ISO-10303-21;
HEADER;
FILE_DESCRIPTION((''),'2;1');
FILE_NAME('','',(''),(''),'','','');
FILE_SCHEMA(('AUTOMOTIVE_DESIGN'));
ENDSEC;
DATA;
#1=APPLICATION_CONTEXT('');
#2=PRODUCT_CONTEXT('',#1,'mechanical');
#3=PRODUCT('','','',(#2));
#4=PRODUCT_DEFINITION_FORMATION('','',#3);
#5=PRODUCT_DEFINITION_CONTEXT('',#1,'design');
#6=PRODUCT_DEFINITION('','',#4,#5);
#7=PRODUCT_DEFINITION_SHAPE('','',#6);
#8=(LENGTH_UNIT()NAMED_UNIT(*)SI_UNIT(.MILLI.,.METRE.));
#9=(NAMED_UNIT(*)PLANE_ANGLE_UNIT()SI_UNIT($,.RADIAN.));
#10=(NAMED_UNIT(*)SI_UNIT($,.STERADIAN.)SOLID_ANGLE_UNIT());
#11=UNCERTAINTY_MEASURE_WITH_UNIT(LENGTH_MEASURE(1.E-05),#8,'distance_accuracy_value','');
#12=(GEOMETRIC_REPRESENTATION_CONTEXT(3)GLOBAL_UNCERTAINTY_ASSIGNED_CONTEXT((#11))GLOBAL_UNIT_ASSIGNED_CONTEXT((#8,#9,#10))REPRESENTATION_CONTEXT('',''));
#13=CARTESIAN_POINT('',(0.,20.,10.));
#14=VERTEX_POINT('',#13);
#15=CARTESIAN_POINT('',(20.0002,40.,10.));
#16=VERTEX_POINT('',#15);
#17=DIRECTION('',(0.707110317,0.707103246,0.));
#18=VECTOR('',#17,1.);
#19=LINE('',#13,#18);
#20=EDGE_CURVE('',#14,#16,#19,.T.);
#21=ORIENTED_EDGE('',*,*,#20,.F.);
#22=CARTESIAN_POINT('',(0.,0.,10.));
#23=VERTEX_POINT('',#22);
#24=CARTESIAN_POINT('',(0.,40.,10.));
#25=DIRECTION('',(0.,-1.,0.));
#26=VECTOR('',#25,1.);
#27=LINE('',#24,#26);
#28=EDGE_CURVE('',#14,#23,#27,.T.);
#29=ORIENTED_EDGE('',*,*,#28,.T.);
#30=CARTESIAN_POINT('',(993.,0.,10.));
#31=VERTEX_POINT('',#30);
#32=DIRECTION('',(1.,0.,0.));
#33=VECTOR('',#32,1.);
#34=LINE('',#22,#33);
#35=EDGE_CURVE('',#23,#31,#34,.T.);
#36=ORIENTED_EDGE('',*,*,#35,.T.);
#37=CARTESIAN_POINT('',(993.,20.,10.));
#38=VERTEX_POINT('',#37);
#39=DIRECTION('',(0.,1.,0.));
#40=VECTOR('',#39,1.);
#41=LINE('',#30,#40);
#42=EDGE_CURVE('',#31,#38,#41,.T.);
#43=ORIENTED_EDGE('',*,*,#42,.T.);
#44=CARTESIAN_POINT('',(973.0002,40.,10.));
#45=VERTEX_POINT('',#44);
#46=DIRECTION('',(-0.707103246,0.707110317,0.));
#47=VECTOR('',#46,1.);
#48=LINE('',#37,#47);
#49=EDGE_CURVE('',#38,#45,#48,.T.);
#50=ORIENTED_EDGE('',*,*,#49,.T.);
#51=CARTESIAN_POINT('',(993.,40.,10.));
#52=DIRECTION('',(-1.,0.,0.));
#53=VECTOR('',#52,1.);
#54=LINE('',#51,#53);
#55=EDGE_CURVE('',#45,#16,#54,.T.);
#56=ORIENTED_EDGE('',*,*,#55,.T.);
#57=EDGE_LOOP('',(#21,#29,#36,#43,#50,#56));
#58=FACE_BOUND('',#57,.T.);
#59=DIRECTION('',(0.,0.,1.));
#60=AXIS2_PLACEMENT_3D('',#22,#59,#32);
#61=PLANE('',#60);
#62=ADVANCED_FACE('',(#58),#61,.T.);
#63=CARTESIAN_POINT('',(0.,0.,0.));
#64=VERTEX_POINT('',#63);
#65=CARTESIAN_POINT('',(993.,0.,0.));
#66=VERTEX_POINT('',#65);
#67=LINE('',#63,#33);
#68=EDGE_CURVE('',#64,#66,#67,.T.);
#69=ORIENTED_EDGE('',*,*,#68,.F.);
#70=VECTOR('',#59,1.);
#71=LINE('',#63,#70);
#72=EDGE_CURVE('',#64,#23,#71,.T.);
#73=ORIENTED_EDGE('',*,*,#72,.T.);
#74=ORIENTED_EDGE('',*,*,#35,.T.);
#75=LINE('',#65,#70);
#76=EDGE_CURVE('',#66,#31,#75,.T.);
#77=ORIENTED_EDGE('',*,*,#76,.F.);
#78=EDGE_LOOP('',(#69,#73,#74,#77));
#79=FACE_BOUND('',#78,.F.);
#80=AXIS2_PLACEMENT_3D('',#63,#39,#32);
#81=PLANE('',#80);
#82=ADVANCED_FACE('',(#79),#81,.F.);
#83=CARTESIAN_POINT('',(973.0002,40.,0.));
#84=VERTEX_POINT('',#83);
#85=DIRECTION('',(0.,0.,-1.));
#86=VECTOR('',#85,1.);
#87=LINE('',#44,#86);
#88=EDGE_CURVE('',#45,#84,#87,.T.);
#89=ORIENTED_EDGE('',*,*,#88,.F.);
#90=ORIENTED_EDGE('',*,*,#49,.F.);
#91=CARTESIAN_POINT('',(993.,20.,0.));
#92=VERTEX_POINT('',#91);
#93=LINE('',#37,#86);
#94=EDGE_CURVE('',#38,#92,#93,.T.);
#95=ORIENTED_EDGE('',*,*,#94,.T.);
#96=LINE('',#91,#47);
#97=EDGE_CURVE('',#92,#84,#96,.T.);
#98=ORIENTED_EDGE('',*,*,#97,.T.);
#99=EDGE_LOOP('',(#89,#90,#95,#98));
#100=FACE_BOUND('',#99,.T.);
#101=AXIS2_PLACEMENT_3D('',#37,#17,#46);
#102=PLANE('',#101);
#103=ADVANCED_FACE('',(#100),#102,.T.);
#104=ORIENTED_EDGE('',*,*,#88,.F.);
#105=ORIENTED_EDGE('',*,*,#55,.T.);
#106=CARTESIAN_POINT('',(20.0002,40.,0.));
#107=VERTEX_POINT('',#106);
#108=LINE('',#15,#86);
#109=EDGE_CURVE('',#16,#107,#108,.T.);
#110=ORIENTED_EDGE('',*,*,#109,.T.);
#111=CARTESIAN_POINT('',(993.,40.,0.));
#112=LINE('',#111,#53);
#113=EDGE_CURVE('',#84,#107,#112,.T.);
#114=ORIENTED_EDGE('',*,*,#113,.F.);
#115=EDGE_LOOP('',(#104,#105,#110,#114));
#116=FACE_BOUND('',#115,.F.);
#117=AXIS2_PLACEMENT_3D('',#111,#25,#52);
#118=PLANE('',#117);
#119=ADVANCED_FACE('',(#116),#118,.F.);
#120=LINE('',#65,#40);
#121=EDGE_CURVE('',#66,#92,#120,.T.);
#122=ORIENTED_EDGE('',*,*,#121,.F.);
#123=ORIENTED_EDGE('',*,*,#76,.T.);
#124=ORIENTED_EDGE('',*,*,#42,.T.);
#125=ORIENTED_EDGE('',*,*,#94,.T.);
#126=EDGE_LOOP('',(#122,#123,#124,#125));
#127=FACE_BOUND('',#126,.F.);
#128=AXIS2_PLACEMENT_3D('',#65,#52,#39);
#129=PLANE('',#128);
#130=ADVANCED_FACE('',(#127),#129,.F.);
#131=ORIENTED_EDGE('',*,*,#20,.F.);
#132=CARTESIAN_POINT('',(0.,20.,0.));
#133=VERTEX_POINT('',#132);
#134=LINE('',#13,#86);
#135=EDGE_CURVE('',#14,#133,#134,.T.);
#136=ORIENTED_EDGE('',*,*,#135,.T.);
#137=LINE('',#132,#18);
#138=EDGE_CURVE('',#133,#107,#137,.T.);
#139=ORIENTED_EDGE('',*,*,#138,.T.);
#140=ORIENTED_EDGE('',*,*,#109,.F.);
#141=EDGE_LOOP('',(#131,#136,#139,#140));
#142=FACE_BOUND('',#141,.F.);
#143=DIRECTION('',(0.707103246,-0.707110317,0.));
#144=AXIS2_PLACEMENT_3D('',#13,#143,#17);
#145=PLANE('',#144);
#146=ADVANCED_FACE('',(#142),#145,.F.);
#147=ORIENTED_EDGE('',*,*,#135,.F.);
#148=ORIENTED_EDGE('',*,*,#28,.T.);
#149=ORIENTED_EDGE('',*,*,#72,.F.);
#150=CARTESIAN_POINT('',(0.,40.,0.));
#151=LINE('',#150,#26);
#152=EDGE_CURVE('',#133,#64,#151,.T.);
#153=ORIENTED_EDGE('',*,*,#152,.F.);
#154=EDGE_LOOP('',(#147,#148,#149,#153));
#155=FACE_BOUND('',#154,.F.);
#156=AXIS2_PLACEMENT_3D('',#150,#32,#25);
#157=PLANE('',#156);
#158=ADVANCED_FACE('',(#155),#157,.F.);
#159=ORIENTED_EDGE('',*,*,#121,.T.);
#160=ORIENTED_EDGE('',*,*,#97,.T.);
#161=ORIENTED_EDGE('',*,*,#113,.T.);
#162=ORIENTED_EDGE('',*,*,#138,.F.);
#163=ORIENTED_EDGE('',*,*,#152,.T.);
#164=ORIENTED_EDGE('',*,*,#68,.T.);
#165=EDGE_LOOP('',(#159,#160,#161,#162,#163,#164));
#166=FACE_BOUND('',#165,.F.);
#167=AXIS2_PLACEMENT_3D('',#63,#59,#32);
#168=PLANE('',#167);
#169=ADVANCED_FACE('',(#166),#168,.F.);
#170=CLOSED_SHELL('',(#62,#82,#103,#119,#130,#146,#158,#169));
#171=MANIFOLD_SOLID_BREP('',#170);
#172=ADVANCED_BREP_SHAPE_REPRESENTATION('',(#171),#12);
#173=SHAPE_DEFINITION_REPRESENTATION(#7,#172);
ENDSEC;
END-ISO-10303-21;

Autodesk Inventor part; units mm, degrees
ref_plane "YZ Plane" through (0, 0, 0) normal (1, 0, 0) x (0, 1, 0)
ref_plane "XZ Plane" through (0, 0, 0) normal (0, 1, 0) x (-1, 0, 0)
ref_plane "XY Plane" through (0, 0, 0) normal (0, 0, 1) x (1, 0, 0)
sketch "Sketch1" plane through (0, 0, 0) normal (0, 0, 1) x (1, 0, 0)
  line L0 (0, 0) -> (993, 0)
  line L1 (993, 0) -> (993, 40)
  line L2 (993, 40) -> (0, 40)
  line L3 (0, 40) -> (0, 0)
  dimension "d0" = 993
  dimension "d1" = 40
extrude "Extrusion1" add sketch "Sketch1" along normal blind 10
sketch "Sketch5" plane through (0, 0, 10) normal (0, 0, 1) x (1, 0, 0)
  line L0 (0, 40) -> (0, 0) projected
  line L1 (0, 20) -> (20.0002, 40)
  line L2 (993, 40) -> (0, 40) projected
  line L3 (993, 0) -> (993, 40) projected
  line L4 (993, 20) -> (973.0002, 40)
extrude "Extrusion5" cut sketch "Sketch5" against normal blind 10
properties part number "vslot hinge brace top"
